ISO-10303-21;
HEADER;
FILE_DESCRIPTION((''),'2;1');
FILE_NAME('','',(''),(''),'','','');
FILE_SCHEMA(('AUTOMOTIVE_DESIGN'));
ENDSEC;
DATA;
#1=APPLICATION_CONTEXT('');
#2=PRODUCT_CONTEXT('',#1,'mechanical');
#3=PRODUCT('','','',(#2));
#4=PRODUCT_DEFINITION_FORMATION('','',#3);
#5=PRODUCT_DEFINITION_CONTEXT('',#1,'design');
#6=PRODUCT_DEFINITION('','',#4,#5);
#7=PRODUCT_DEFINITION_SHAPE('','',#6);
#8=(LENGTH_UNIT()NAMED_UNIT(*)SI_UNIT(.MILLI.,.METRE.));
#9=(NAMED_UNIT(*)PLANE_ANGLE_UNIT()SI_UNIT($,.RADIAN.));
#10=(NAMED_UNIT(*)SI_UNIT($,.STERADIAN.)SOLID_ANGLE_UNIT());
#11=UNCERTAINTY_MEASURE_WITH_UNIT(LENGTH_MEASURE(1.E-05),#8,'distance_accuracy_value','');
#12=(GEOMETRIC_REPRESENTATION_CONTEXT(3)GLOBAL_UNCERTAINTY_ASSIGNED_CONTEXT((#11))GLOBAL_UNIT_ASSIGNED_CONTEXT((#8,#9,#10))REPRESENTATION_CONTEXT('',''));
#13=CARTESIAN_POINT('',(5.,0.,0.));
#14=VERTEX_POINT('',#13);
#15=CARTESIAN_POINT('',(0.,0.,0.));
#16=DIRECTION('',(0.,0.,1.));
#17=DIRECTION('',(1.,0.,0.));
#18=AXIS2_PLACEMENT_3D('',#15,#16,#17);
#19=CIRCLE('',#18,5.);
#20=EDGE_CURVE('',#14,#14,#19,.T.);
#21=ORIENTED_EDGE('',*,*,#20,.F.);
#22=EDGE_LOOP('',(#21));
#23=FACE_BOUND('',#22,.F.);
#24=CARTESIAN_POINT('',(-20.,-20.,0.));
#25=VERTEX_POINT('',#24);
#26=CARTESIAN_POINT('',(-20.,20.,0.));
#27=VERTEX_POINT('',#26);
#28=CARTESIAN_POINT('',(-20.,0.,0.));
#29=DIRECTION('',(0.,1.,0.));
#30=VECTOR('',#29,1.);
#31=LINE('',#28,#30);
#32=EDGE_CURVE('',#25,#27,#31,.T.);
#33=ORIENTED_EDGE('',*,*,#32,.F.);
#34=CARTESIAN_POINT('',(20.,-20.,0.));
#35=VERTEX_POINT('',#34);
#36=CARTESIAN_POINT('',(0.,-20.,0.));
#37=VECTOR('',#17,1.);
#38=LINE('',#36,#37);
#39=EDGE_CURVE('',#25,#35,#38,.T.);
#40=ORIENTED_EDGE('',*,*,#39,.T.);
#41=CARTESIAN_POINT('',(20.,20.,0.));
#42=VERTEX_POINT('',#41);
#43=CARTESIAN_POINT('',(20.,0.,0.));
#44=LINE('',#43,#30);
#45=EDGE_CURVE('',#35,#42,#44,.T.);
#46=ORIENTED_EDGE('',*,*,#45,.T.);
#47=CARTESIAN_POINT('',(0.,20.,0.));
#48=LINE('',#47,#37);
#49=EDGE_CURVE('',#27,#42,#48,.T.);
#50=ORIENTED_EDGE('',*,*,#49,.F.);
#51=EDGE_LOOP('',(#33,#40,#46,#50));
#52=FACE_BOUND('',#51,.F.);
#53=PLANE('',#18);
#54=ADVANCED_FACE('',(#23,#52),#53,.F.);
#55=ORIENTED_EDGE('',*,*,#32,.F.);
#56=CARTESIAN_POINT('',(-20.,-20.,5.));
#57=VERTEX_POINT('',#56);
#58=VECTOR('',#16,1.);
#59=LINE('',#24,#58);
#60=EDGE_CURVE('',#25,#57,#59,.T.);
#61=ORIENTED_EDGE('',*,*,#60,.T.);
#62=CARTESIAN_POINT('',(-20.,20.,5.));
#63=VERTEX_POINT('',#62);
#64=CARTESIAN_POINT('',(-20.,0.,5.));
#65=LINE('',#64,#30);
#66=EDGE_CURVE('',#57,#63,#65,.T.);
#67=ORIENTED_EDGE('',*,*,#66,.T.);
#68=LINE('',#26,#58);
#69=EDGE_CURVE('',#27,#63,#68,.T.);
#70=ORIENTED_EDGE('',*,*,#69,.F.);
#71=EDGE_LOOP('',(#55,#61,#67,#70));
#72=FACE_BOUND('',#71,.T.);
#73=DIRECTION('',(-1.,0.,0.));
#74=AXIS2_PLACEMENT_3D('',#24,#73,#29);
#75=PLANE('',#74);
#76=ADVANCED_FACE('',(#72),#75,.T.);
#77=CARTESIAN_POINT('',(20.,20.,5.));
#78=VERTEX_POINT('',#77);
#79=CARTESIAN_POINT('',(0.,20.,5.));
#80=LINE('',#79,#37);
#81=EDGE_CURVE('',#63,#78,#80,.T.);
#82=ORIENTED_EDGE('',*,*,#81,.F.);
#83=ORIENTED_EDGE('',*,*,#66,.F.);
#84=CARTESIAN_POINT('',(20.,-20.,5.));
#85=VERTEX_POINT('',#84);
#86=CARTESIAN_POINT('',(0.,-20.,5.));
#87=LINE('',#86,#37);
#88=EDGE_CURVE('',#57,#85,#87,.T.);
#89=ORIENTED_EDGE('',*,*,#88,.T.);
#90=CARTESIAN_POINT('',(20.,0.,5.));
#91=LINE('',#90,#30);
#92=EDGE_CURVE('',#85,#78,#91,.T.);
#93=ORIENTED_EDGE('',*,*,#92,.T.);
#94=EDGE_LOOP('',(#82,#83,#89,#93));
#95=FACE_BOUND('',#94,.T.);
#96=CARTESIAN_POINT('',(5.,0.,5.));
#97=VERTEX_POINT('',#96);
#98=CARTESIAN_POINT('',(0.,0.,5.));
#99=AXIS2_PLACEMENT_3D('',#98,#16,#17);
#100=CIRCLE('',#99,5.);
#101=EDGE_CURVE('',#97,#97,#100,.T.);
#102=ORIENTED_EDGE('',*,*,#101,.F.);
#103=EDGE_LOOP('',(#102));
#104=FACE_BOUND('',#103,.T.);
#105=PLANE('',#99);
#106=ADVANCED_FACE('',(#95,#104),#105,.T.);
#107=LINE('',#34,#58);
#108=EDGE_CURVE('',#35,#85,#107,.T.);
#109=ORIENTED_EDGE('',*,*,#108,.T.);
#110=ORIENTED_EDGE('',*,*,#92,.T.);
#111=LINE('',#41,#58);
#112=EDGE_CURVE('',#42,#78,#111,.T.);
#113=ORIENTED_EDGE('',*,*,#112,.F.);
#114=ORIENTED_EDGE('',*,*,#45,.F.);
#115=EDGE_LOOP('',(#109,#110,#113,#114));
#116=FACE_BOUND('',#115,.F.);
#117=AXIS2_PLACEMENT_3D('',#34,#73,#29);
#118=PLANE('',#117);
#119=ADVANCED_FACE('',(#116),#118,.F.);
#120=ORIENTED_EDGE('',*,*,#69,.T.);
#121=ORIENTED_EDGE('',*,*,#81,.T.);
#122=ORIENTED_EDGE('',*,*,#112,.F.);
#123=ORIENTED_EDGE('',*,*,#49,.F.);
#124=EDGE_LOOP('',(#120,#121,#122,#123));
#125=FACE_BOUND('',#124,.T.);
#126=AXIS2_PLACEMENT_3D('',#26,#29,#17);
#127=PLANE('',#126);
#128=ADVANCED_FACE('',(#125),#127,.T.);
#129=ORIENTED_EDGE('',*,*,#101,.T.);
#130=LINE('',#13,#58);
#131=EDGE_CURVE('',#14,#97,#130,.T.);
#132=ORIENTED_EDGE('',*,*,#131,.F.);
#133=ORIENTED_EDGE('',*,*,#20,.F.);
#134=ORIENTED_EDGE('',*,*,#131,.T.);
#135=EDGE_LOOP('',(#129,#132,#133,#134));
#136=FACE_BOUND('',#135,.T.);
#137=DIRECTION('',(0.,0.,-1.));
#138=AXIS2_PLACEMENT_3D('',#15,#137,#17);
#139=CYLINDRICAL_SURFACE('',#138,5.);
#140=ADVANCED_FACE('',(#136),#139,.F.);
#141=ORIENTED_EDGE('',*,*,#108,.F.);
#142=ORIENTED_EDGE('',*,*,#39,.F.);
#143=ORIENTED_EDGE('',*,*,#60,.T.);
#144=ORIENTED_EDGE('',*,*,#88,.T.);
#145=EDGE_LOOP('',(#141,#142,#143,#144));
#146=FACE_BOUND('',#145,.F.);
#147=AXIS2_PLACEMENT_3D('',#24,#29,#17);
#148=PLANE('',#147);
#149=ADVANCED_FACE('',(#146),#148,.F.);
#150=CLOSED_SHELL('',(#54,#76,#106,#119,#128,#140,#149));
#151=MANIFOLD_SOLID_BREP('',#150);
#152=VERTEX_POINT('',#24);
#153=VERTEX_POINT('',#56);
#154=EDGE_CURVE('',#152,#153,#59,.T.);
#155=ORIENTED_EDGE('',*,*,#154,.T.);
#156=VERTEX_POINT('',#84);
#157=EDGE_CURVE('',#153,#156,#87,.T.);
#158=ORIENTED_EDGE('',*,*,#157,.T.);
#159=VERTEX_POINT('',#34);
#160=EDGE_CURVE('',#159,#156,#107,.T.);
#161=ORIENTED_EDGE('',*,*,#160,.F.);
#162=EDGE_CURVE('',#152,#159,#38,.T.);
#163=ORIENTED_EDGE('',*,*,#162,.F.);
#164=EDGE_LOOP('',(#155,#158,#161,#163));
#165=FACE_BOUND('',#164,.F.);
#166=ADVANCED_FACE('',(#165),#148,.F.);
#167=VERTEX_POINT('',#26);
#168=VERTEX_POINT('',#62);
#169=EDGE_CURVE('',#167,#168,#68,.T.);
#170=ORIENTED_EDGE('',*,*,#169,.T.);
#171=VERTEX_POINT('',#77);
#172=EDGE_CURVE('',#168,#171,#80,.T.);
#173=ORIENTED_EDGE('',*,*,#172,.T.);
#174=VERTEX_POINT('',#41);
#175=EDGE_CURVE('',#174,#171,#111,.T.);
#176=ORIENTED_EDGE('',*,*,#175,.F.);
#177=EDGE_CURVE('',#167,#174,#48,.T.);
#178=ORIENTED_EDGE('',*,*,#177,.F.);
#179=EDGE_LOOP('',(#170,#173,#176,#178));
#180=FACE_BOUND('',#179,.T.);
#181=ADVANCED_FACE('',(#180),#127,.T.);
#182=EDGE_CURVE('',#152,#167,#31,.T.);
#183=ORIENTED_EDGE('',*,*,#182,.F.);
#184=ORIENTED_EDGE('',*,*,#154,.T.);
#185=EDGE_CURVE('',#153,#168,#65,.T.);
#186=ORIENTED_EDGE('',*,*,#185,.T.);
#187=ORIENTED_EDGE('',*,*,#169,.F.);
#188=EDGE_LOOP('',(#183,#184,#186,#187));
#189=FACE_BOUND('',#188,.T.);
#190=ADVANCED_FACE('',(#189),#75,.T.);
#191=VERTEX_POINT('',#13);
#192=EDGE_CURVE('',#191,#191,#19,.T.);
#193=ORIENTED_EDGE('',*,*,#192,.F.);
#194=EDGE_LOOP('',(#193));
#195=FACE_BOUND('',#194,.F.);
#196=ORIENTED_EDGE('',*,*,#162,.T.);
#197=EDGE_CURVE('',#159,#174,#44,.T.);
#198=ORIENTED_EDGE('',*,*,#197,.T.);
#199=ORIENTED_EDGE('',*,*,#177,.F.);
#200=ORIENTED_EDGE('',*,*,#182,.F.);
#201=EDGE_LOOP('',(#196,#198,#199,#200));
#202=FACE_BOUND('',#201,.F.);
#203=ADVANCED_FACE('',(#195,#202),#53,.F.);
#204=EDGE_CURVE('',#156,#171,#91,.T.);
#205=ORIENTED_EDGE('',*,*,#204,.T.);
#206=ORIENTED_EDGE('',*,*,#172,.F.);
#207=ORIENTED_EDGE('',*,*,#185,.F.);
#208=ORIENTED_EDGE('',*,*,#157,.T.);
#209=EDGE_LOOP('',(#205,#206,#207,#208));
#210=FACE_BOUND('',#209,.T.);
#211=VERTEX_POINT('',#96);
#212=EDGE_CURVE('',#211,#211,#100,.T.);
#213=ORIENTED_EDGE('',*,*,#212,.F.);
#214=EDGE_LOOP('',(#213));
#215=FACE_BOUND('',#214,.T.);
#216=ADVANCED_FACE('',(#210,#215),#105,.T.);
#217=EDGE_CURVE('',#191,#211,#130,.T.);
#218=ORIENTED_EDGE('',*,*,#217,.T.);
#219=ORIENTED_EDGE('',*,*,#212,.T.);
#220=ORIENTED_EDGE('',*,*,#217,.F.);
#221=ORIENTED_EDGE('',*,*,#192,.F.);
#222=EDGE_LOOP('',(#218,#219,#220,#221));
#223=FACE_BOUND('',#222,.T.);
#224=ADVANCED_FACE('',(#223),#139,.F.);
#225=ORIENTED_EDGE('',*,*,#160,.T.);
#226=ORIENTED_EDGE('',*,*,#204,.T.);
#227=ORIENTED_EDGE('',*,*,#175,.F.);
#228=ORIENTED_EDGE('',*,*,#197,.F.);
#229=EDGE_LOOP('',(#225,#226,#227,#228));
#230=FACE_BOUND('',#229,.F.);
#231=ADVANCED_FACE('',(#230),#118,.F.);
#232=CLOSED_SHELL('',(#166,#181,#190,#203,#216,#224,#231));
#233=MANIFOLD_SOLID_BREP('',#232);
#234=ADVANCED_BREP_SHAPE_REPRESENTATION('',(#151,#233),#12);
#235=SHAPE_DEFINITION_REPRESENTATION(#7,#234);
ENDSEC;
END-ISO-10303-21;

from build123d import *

# Parameters (mm, degrees)
SKETCH_W         = 40
SKETCH_H         = 40
SKETCH_R         = 5
EXTRUDE_DEPTH    = 5
EXTRUDE001_DEPTH = 5


with BuildPart() as extrude_body:
    # Sketch → Extrude (new body)
    with BuildSketch(Plane.XY):
        Rectangle(SKETCH_W, SKETCH_H)
        Circle(SKETCH_R, mode=Mode.SUBTRACT)
    extrude(amount=EXTRUDE_DEPTH)


with BuildPart() as extrude001:
    # Sketch → Extrude001 (new body)
    with BuildSketch(Plane.XY):
        Rectangle(SKETCH_W, SKETCH_H)
        Circle(SKETCH_R, mode=Mode.SUBTRACT)
    extrude(amount=EXTRUDE001_DEPTH)


solid = Compound([extrude_body.part, extrude001.part])
